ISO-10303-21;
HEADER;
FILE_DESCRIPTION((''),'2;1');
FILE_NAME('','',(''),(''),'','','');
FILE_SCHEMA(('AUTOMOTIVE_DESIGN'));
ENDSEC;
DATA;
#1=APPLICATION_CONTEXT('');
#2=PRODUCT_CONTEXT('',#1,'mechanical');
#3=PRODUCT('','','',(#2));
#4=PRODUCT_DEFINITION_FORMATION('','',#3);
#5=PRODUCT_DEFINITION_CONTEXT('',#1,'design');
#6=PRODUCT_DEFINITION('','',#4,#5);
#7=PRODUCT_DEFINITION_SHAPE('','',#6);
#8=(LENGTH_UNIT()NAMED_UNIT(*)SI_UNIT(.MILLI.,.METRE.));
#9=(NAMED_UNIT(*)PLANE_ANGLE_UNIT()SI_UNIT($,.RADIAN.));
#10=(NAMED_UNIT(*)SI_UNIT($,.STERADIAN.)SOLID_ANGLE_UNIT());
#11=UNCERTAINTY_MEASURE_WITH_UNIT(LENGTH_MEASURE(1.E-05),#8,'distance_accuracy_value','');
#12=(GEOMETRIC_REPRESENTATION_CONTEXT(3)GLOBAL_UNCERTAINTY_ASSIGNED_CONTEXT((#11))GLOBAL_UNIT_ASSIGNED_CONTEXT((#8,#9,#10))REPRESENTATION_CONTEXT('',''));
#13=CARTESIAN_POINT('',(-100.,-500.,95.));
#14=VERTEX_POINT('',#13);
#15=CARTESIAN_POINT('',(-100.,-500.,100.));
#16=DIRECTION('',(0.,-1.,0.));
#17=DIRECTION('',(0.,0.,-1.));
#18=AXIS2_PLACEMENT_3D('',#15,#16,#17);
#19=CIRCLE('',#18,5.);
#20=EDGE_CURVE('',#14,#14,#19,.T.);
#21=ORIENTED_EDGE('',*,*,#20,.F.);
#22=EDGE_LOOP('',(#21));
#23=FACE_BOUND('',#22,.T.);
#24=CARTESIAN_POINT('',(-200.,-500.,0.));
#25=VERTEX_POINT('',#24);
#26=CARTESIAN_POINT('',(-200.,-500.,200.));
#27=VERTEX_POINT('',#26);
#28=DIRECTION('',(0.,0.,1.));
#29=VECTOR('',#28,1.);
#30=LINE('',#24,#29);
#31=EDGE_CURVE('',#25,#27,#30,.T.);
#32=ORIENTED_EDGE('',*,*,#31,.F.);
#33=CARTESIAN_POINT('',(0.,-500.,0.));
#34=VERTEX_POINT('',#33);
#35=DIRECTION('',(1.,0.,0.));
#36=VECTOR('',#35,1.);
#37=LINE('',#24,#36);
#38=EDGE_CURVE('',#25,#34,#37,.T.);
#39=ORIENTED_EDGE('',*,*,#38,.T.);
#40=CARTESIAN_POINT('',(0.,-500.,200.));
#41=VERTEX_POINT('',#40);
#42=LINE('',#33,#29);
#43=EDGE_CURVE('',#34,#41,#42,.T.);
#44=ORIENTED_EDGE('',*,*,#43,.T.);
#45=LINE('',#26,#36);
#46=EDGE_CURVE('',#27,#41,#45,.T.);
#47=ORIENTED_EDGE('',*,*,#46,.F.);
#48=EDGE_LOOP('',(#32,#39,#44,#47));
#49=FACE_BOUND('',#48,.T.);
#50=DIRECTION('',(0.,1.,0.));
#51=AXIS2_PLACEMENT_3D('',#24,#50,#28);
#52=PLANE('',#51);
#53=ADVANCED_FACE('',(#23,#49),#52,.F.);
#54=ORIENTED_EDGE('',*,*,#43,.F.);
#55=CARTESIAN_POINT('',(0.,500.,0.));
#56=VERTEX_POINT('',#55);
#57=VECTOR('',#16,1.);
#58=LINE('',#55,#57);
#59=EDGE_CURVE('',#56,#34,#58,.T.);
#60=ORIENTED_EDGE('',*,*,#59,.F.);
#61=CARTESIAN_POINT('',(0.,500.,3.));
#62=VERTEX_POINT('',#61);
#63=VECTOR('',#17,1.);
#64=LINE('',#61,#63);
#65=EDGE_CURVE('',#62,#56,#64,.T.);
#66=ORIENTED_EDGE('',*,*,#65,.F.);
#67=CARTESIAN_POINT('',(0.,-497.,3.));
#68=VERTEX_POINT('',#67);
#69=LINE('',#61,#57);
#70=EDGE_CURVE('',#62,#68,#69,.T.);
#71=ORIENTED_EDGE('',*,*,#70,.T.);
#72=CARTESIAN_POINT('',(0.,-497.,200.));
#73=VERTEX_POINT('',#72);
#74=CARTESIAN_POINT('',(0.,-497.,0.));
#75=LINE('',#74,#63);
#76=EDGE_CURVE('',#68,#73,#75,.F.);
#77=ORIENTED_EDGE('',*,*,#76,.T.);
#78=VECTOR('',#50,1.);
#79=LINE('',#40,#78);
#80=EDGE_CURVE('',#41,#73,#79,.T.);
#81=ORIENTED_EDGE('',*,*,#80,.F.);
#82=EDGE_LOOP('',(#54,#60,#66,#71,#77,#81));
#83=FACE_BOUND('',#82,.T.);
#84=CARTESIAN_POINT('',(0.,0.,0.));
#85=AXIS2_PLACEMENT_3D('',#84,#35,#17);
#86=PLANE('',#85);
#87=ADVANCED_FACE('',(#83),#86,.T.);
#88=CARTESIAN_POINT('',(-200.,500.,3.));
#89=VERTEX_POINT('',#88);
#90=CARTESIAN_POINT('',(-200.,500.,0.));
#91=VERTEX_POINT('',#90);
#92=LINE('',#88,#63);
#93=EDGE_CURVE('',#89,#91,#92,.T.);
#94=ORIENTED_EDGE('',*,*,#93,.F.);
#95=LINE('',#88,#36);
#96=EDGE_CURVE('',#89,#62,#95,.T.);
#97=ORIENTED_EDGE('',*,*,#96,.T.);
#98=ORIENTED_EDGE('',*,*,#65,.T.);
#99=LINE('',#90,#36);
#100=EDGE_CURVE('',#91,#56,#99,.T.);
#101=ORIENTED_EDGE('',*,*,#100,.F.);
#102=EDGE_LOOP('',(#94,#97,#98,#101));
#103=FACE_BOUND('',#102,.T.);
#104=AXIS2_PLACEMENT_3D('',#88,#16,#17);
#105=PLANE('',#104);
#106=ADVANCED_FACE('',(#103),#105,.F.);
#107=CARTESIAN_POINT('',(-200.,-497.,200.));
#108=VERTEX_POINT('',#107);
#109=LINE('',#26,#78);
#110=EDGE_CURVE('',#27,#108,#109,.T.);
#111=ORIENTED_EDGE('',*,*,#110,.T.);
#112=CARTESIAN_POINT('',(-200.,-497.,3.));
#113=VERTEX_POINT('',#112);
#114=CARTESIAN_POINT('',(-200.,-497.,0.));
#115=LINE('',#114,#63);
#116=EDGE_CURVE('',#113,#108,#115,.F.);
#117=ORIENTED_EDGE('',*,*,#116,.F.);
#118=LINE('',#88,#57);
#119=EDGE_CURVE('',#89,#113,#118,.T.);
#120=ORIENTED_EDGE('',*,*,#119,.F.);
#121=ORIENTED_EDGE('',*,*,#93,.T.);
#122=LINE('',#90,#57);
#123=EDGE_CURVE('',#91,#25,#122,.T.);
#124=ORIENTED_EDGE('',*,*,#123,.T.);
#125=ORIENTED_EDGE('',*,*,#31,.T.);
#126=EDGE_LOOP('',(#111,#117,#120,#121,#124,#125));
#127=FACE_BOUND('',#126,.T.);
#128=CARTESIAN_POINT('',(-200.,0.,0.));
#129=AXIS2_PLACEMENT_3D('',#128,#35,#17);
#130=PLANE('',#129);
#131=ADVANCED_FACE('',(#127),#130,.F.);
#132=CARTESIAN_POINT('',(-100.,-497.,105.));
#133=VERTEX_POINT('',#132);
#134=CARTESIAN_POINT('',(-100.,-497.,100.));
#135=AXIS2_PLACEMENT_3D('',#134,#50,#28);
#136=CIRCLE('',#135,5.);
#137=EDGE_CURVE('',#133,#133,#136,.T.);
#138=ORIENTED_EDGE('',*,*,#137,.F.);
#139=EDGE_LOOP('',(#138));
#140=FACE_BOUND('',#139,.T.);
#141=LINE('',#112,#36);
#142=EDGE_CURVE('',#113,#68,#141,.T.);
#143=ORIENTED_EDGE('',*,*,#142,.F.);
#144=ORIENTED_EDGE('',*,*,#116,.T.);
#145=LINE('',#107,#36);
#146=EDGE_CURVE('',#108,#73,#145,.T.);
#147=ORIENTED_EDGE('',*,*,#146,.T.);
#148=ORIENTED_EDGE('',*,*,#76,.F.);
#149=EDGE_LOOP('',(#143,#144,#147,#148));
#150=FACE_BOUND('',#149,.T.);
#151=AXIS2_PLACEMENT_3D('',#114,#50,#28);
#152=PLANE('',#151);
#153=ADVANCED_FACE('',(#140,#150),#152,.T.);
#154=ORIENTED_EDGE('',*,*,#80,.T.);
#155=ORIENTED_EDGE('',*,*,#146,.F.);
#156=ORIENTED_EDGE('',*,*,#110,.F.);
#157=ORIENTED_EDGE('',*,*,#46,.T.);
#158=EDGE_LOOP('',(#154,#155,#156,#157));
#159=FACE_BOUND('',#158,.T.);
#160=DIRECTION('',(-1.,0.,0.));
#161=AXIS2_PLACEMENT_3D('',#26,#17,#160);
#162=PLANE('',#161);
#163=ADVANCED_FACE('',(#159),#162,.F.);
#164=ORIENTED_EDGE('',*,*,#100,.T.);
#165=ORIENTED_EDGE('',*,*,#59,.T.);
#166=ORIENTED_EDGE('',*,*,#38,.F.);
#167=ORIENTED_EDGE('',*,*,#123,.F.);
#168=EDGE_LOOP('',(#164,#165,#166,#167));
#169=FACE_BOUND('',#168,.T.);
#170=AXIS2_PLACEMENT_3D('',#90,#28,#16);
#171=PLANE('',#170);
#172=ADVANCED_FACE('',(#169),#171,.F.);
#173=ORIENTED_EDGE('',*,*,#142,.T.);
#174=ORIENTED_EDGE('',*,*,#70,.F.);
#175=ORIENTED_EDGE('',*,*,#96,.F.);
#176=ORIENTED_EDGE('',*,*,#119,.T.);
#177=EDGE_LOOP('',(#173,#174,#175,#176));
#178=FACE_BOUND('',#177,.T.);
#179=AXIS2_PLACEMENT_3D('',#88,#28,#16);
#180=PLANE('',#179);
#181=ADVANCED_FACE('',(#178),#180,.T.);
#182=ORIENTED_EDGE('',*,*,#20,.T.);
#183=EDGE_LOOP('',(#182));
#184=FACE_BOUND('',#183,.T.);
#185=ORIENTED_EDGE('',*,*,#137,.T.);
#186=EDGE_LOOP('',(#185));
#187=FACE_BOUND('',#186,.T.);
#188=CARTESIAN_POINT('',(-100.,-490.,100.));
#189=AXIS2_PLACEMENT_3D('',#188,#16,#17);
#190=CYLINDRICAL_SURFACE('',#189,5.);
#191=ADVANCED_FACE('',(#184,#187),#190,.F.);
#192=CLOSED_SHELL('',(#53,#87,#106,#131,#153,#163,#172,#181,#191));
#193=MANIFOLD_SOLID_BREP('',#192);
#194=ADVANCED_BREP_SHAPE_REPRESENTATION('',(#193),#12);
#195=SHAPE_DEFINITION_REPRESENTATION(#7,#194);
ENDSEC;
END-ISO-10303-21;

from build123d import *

# Parameters (mm, degrees)
EXTRUDE_THIN1_DEPTH = 200
SKETCH2_R           = 5
CUT_EXTRUDE1_DEPTH  = 10


with BuildPart() as part:
    # Sketch1 → Extrude-Thin1 (new body)
    with BuildSketch(Plane(origin=(0, 0, 0), x_dir=(0, 0, -1), z_dir=(1, 0, 0))):
        Polygon((0, 500), (0, -500), (-200, -500), (-200, -497), (-3, -497), (-3, 500), align=None)
    extrude(amount=-EXTRUDE_THIN1_DEPTH)

    # Sketch2 → Cut-Extrude1 (cut)
    with BuildSketch(Plane.XZ.offset(500)):
        with Locations(Location((-100, 100, 0), (0, 0, 270))):
            Circle(SKETCH2_R)
    extrude(amount=-CUT_EXTRUDE1_DEPTH, mode=Mode.SUBTRACT)


solid = part.part
